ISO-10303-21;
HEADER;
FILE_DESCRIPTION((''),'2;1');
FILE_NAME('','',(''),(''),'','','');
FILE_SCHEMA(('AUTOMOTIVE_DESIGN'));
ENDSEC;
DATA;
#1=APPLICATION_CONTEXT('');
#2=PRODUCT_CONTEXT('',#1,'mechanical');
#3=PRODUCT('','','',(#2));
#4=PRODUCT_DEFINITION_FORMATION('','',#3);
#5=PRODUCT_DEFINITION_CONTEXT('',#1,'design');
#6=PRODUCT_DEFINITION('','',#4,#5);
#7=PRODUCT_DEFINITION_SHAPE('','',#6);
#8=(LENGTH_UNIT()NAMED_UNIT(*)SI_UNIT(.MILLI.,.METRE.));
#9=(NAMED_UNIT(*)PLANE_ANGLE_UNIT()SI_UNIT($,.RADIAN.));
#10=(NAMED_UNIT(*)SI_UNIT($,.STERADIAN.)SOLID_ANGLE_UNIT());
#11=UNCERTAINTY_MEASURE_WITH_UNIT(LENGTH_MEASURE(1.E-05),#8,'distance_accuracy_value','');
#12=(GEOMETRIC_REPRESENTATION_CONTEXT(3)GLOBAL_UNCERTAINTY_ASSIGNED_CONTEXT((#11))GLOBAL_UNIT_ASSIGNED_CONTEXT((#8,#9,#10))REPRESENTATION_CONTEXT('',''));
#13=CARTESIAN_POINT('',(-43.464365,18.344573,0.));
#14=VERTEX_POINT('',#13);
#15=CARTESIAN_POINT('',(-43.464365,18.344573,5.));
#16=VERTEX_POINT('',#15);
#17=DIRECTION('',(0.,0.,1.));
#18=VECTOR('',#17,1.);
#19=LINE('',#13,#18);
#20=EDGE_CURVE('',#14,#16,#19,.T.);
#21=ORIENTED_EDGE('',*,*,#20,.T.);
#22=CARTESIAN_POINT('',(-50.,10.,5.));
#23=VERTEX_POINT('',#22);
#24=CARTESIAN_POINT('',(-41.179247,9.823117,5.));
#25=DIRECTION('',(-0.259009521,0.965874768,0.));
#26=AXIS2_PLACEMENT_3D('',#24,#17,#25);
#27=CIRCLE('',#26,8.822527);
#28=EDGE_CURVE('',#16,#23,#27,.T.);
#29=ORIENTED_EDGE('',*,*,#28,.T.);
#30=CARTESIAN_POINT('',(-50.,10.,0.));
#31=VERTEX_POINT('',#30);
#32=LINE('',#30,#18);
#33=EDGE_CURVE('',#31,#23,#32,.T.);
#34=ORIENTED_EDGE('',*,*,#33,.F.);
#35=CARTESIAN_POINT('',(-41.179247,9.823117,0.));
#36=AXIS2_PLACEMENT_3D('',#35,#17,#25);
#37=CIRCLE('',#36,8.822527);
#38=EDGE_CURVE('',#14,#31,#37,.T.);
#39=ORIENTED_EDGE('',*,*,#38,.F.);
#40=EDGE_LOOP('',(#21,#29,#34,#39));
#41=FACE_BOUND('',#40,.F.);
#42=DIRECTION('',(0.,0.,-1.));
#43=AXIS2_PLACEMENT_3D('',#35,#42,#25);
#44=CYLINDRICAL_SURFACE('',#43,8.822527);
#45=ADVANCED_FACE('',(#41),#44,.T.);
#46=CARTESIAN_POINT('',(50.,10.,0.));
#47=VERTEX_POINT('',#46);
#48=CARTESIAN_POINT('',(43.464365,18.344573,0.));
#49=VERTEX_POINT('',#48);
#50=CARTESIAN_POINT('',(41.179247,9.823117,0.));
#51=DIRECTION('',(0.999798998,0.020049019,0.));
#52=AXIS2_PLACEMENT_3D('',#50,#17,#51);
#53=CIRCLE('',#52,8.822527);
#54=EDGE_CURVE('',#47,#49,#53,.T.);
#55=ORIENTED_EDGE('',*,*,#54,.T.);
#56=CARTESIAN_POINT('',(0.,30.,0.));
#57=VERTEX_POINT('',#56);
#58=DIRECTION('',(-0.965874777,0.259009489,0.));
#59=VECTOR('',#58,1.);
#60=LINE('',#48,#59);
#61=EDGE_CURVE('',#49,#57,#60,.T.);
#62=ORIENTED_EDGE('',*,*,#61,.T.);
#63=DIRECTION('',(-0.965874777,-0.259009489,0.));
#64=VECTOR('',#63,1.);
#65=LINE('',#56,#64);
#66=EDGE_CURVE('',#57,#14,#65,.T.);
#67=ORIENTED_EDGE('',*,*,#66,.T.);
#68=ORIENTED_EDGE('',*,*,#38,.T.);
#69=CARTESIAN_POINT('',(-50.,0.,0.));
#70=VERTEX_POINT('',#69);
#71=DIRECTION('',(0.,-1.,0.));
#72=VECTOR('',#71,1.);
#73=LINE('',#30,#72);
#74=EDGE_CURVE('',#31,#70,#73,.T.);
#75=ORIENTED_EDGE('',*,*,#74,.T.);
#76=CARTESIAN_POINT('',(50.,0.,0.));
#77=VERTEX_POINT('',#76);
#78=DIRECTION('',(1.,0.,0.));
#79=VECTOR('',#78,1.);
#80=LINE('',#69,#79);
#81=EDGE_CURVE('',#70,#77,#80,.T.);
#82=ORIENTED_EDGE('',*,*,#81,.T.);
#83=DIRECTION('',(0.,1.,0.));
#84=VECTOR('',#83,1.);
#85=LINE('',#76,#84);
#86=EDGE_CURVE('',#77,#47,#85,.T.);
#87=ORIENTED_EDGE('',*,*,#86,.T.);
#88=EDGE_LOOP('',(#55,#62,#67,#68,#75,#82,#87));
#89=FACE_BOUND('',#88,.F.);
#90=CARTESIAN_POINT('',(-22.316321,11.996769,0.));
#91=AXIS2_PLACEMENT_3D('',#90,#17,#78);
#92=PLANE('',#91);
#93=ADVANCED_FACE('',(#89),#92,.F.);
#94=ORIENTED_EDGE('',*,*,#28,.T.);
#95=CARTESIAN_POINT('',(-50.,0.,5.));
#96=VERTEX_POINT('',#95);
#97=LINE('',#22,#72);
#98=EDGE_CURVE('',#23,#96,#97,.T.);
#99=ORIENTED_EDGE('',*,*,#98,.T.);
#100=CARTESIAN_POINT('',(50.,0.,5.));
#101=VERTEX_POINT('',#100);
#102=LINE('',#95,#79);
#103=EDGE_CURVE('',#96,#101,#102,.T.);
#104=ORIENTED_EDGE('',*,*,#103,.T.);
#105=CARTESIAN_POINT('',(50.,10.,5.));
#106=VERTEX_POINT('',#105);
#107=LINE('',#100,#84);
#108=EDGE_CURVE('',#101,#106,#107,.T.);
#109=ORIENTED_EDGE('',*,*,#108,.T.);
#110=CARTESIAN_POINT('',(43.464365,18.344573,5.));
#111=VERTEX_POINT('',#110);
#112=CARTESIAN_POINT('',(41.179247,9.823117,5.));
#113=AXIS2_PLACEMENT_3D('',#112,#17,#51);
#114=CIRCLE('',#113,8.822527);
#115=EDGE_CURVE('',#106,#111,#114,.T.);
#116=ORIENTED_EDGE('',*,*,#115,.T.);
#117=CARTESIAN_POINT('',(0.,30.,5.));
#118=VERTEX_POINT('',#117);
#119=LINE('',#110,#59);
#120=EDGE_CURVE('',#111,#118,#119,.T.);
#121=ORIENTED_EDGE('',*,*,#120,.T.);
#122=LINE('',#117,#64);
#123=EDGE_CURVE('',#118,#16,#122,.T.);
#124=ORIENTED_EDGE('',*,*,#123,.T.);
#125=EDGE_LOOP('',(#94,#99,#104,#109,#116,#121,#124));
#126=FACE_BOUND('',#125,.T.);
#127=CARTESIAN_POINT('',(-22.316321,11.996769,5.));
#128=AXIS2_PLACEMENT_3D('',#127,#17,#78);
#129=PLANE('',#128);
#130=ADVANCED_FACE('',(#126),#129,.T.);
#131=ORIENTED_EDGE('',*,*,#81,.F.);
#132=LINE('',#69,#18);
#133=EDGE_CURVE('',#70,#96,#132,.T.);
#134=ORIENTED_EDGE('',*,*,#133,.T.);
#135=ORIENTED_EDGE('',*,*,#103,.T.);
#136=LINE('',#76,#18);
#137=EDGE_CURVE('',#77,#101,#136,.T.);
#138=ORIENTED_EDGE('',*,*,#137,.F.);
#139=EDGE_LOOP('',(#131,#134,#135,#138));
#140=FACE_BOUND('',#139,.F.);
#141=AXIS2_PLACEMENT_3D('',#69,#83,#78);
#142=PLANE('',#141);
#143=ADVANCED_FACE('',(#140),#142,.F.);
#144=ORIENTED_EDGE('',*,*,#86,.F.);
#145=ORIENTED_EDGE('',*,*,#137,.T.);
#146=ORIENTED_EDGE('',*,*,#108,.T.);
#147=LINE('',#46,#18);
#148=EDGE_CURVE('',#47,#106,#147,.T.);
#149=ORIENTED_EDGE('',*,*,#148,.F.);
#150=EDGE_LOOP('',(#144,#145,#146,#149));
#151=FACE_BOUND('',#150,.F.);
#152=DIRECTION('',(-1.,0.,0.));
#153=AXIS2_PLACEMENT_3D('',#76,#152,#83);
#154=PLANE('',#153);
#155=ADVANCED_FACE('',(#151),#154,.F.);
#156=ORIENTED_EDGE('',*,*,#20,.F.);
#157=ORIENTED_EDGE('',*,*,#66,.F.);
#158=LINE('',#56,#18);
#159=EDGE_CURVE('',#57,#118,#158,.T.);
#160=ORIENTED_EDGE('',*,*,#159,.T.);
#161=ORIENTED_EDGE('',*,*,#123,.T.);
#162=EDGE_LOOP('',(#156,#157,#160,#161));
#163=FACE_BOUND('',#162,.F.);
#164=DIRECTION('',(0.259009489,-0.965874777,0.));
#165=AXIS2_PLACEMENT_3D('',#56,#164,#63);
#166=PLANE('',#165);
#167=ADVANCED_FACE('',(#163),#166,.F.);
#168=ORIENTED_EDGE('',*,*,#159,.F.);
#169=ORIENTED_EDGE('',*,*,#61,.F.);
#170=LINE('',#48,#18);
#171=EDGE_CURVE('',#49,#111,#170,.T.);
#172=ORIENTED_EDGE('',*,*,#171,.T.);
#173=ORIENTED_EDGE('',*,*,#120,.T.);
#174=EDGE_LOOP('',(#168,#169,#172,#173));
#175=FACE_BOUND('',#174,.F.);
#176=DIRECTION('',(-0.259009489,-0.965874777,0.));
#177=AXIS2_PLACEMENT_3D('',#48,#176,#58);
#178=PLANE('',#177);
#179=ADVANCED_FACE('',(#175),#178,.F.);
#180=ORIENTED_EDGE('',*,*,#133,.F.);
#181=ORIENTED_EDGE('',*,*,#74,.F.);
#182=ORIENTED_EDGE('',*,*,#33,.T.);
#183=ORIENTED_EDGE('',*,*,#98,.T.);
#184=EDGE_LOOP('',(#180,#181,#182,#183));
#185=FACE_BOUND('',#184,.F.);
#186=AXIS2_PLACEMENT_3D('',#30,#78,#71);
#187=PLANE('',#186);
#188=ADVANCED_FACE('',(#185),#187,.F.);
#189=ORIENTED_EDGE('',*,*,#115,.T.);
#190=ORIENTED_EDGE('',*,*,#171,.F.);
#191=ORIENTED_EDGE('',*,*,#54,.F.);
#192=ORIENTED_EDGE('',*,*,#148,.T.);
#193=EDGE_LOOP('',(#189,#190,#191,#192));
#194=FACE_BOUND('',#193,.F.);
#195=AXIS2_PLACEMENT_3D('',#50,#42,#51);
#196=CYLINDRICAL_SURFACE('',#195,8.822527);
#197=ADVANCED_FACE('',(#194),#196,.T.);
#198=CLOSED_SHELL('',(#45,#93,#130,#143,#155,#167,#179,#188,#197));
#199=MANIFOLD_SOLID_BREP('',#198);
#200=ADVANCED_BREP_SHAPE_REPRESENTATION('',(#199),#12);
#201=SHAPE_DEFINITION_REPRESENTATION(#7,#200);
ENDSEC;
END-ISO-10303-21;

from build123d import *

# Parameters (mm, degrees)
F1_DEPTH = 5


with BuildPart() as f1:
    # F0 (on Top) → F1 (new body)
    with BuildSketch(Plane.XY):
        with BuildLine():
            Line((-50, 0), (0, 0))
            Line((0, 0), (0, 30))
            Line((0, 30), (-43.464365, 18.344573))
            ThreePointArc((-43.464365, 18.344573), (-48.12497, 15.263145), (-50, 10))
            Line((-50, 10), (-50, 0))
        make_face()
        with BuildLine():
            Line((0, 30), (0, 0))
            Line((0, 0), (50, 0))
            Line((50, 0), (50, 10))
            ThreePointArc((50, 10), (48.12497, 15.263145), (43.464365, 18.344573))
            Line((43.464365, 18.344573), (0, 30))
        make_face()
    extrude(amount=F1_DEPTH)


solid = f1.part
